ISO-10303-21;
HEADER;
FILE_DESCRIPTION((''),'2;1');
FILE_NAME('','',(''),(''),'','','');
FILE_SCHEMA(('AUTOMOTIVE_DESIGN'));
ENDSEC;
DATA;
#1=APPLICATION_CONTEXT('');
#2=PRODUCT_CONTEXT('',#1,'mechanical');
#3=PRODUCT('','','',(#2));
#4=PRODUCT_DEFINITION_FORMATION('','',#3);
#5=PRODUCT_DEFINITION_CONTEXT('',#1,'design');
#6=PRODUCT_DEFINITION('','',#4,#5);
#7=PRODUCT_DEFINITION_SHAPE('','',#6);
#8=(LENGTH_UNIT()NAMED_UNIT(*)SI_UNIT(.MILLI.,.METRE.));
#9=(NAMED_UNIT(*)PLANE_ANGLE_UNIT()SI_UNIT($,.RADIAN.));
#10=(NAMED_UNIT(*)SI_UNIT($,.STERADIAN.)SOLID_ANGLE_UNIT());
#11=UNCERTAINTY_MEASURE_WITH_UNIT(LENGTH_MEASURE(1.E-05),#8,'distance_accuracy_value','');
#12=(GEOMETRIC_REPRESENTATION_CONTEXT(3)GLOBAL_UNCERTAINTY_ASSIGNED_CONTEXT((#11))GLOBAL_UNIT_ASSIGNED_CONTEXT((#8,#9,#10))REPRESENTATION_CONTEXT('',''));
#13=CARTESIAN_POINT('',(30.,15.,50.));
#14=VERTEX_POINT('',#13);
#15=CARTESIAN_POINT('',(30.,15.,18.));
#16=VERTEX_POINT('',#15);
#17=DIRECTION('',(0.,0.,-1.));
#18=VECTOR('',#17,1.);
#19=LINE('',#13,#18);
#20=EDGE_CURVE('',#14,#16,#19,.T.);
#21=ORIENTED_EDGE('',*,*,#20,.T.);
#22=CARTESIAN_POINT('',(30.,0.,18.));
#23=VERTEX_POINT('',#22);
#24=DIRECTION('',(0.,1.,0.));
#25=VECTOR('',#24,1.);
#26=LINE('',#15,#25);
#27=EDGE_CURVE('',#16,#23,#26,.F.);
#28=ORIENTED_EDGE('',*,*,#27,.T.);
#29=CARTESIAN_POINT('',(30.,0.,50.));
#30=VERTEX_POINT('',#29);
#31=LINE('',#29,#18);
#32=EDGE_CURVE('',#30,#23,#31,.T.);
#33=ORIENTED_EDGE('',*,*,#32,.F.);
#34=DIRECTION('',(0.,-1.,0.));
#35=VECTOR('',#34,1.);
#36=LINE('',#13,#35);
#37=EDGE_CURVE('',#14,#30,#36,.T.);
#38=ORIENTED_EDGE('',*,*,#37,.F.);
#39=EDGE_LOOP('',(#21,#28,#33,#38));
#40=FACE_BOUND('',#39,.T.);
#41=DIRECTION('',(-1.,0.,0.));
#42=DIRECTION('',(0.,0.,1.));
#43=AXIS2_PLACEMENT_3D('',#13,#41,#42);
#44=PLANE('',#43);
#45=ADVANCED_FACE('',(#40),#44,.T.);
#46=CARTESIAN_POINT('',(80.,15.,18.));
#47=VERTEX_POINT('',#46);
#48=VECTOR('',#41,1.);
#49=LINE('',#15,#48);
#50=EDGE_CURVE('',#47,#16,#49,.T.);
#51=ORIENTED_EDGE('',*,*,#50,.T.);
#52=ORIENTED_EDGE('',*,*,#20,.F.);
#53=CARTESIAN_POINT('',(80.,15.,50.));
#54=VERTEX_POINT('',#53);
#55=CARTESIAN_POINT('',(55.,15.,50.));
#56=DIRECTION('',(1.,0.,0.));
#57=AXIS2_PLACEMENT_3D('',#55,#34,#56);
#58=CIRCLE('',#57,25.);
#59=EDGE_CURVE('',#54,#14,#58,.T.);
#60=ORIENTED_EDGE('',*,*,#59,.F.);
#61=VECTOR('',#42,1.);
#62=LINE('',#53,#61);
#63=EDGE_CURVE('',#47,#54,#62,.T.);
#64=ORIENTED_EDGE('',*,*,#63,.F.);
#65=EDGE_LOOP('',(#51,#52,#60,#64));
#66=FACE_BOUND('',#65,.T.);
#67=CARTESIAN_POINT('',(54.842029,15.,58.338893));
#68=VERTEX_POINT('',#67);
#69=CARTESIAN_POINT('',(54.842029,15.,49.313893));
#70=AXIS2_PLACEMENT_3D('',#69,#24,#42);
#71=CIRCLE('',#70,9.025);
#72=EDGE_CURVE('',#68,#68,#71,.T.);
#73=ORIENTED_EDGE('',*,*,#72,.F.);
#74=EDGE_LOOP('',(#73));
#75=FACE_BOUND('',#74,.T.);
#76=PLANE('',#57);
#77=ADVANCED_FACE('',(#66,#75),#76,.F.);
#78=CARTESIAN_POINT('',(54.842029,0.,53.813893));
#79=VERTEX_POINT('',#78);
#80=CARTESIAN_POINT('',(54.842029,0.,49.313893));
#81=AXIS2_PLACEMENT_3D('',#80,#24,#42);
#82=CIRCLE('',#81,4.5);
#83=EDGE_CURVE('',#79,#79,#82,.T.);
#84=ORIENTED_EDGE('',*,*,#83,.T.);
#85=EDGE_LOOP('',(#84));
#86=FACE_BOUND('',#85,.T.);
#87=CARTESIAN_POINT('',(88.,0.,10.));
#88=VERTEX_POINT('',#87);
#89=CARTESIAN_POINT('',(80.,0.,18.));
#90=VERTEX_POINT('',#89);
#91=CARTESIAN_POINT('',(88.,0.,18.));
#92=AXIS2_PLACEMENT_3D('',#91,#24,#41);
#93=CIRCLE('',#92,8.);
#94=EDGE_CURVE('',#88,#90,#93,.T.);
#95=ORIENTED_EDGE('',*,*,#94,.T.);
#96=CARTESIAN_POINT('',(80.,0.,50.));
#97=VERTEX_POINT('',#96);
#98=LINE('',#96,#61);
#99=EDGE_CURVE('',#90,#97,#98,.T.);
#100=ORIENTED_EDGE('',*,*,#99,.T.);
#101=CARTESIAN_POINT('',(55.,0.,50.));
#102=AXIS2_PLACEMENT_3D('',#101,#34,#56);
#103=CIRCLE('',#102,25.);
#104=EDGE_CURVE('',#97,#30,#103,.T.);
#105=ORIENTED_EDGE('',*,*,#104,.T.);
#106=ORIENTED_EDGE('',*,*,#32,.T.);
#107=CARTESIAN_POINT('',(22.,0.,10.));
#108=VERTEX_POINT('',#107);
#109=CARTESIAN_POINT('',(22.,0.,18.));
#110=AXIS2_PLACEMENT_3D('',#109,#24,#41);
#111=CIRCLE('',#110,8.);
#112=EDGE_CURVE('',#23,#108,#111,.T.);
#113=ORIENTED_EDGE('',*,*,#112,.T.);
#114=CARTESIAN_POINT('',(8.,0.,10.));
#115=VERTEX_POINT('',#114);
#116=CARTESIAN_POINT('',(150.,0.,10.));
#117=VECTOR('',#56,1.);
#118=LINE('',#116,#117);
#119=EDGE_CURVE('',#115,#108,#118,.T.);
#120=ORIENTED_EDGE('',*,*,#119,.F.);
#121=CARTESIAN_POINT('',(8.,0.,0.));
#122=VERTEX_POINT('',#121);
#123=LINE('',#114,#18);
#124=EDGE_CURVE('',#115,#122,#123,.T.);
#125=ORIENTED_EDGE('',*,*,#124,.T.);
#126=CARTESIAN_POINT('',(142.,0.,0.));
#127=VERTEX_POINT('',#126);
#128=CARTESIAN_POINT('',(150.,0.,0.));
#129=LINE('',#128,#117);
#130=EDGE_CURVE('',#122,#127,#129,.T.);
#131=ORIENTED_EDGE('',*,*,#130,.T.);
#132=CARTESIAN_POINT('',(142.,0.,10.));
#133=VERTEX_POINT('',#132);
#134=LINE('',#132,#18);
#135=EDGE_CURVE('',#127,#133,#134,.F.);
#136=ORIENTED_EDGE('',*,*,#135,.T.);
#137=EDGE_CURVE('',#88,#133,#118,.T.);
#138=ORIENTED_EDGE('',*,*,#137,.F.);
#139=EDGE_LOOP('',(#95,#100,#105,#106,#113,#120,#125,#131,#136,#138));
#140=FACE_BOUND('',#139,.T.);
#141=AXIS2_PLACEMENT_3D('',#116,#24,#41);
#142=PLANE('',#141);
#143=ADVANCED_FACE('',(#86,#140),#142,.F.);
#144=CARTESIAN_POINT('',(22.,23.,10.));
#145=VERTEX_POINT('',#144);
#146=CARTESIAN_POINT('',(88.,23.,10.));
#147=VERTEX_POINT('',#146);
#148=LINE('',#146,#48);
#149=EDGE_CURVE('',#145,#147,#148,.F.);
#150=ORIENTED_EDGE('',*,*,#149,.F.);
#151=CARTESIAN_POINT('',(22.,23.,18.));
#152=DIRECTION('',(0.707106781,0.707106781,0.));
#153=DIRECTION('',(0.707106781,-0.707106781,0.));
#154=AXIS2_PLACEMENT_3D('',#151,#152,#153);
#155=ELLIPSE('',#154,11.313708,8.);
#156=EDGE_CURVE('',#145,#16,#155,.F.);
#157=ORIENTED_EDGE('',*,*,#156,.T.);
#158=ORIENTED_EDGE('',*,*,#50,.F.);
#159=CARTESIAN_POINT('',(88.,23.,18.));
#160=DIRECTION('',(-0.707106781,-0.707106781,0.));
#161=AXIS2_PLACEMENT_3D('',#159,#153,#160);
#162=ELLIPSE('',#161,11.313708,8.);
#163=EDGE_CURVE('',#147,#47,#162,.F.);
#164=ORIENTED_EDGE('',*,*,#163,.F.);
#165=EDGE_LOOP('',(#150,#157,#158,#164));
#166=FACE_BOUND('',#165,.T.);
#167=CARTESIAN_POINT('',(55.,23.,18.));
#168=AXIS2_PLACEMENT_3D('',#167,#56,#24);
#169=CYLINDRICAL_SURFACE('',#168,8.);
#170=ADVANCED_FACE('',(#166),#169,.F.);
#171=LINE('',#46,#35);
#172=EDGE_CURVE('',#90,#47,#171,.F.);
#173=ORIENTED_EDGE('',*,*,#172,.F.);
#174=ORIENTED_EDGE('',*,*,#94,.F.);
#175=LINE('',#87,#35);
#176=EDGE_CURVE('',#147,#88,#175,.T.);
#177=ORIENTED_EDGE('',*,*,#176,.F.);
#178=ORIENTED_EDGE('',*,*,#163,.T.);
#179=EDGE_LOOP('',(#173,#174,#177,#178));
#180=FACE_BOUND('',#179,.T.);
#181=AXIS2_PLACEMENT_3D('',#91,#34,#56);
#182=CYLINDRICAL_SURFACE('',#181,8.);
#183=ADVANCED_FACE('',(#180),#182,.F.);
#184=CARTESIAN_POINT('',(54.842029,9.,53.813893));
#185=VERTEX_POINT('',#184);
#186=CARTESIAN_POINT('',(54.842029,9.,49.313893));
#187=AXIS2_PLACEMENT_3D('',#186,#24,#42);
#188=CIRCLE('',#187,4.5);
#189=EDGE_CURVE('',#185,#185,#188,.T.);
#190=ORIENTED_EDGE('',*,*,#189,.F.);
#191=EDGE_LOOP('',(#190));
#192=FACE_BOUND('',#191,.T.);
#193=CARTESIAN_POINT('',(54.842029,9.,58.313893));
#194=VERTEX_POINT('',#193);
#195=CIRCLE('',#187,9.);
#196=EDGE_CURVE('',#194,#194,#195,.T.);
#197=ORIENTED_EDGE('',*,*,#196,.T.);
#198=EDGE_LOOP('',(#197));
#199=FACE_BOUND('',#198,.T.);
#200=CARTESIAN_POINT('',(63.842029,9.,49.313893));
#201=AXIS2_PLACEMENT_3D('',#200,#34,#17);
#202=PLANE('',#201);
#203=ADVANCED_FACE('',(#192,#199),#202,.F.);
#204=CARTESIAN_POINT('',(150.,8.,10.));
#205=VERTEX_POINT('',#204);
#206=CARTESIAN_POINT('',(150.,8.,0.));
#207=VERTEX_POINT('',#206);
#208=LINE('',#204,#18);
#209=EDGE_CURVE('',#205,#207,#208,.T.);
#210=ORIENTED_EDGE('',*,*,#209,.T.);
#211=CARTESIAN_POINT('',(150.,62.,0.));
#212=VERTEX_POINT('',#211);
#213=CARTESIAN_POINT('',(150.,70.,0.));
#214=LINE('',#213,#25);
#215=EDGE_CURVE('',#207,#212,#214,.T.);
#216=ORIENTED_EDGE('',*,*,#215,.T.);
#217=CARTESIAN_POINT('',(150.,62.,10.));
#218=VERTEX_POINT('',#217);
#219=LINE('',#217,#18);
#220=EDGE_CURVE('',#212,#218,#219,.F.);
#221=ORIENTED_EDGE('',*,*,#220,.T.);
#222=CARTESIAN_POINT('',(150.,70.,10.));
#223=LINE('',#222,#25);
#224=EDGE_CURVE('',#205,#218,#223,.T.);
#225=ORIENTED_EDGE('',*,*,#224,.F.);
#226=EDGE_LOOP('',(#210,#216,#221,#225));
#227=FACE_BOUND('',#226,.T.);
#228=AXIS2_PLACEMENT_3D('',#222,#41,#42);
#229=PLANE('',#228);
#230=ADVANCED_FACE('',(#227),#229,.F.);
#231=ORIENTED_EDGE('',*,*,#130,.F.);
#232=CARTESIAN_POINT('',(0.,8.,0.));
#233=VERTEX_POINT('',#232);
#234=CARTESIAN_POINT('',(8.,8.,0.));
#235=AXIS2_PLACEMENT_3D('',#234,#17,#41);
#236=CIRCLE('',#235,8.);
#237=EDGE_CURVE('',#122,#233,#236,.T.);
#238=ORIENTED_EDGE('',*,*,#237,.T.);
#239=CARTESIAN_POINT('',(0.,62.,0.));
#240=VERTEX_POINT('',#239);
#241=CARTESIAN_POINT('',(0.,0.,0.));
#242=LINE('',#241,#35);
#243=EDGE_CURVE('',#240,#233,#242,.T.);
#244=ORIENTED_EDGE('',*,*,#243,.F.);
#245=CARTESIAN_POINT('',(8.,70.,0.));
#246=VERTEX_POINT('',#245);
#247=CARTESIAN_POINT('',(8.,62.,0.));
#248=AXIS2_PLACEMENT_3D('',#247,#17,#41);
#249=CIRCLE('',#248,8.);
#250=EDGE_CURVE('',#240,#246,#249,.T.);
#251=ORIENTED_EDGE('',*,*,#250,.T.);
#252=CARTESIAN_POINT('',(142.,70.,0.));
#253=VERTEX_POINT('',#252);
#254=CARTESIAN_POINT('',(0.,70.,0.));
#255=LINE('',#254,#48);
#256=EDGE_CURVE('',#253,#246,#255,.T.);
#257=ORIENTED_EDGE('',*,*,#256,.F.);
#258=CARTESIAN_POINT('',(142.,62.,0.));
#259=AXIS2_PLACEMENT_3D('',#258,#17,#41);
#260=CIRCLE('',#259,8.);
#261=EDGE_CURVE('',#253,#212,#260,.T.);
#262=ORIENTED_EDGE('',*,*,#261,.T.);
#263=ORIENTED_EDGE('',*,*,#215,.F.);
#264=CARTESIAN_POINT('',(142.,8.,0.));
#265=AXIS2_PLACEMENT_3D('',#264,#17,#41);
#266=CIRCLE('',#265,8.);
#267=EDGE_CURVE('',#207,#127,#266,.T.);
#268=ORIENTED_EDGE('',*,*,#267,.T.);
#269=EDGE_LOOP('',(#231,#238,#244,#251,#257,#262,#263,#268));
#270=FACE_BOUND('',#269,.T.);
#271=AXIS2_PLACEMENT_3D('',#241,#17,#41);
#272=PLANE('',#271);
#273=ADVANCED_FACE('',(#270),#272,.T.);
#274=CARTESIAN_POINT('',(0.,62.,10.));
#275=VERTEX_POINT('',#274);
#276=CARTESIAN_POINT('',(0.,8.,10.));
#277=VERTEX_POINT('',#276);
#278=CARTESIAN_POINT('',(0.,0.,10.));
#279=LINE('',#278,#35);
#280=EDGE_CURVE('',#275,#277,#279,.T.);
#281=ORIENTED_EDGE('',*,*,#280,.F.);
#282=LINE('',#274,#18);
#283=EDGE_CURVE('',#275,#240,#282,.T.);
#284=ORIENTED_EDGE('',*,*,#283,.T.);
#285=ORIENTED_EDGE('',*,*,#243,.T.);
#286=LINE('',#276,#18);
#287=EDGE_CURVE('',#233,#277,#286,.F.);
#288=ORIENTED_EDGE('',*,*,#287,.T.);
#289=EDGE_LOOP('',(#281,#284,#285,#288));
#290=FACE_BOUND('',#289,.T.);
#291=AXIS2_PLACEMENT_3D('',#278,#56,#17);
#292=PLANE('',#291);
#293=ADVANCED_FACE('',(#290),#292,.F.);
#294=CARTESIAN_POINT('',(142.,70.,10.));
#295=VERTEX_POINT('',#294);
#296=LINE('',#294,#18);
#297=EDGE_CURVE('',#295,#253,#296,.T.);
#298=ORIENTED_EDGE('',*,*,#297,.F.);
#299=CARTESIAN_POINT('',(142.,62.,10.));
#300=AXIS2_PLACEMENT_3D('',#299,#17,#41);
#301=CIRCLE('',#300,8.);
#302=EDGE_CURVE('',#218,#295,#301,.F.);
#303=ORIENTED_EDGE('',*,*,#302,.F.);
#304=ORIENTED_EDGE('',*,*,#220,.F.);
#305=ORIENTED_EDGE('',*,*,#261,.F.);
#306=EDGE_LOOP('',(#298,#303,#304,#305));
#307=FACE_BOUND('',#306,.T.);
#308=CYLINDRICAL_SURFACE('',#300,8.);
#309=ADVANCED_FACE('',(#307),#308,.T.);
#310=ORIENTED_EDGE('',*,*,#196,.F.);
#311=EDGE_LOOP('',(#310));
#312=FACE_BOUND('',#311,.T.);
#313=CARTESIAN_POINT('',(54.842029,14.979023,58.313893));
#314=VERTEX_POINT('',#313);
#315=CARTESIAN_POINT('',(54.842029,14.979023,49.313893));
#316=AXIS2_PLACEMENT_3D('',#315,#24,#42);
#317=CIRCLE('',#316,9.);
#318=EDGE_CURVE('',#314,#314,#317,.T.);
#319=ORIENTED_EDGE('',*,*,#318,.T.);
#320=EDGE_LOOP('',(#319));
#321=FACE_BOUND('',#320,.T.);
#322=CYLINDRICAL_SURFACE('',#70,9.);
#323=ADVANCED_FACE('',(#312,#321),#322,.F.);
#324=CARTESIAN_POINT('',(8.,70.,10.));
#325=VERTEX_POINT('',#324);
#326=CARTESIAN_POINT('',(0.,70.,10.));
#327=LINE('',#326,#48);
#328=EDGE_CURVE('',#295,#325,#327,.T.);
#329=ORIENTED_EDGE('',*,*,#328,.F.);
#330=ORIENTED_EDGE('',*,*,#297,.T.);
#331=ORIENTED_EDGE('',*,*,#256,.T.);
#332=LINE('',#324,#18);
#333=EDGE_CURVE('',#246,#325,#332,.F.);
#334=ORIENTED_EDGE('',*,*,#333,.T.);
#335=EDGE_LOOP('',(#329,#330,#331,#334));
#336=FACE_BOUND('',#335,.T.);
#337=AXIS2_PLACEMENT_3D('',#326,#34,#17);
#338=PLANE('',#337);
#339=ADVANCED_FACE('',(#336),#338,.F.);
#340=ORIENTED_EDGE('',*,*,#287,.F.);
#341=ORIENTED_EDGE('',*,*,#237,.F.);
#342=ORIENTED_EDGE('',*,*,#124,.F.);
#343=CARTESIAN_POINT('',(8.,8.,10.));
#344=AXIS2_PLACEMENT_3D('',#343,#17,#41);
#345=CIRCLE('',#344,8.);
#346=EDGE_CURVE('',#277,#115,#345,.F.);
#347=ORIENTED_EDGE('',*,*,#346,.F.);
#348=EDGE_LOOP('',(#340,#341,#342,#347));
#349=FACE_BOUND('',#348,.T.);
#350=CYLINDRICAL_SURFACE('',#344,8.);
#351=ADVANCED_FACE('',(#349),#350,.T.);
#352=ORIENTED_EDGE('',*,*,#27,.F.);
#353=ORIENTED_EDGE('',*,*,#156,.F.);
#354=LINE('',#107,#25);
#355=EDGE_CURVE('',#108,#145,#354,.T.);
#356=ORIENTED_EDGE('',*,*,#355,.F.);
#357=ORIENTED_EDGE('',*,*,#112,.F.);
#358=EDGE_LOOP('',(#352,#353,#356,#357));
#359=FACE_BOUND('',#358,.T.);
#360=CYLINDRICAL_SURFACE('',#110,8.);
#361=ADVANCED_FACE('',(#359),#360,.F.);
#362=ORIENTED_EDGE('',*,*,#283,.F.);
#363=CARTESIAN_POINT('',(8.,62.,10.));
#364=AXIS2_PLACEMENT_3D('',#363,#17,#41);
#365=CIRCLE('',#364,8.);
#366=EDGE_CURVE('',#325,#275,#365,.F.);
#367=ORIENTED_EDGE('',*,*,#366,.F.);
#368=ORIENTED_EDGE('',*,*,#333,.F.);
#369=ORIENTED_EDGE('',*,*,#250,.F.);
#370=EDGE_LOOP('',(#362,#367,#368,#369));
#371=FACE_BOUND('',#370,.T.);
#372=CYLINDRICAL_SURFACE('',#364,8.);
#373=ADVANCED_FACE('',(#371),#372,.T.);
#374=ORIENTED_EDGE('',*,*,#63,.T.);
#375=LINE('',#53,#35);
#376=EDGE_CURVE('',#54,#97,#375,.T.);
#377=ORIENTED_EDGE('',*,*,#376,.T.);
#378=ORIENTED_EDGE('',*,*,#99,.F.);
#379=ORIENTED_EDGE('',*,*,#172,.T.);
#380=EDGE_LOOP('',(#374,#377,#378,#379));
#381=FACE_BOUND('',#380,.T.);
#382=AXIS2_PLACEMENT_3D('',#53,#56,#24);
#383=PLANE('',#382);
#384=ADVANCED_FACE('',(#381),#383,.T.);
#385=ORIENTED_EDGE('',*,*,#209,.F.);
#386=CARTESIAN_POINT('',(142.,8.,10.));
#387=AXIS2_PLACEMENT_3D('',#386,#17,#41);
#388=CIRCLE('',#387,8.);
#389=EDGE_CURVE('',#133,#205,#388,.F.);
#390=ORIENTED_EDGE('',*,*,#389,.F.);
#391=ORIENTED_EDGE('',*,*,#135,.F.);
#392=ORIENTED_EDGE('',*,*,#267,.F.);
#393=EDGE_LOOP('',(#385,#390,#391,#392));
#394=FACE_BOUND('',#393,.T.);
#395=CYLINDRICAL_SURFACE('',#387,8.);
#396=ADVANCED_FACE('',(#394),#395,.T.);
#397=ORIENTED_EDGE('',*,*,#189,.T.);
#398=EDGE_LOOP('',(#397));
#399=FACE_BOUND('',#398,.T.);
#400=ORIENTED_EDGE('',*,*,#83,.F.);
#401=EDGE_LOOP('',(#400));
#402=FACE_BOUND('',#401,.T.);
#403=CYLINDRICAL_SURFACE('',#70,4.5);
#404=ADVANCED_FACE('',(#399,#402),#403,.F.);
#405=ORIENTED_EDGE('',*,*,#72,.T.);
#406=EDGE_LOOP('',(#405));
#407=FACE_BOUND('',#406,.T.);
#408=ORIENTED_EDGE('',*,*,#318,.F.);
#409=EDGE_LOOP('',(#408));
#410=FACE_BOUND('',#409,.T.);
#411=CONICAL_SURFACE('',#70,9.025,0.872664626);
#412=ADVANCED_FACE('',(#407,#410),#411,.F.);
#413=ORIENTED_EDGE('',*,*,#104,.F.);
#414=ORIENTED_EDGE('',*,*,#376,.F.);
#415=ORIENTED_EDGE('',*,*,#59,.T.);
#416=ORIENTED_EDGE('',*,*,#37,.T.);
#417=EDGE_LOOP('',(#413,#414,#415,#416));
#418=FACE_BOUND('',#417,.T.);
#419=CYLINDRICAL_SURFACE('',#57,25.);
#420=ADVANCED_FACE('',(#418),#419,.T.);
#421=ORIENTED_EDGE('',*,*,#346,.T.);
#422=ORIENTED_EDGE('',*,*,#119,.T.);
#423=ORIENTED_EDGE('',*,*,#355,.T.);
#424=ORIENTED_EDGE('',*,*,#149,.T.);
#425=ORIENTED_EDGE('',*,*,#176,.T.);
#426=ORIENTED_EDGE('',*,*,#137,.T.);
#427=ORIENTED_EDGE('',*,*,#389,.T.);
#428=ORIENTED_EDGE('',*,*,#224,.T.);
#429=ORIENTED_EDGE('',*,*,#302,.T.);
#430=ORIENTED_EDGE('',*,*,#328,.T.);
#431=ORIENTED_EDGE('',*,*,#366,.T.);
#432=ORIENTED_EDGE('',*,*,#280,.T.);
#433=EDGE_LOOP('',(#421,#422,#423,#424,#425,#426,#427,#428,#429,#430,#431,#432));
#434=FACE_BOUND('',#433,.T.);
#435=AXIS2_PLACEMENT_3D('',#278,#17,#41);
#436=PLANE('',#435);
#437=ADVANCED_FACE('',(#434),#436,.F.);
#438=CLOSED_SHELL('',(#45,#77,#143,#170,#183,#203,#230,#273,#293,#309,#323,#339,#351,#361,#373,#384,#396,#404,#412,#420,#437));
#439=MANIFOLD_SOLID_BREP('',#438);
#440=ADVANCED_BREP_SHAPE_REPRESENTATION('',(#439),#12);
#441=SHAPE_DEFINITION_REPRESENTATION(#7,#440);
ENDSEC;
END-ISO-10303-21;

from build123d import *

# Parameters (mm, degrees)
SKETCH1_W           = 150
SKETCH1_H           = 70
BOSS_EXTRUDE1_DEPTH = 10
BOSS_EXTRUDE2_DEPTH = 15
FILLET1_R           = 8
FILLET2_R           = 8
FILLET3_R           = 8
FILLET4_R           = 8
FILLET5_R           = 8
FILLET6_R           = 8
FILLET11_R          = 8


with BuildPart() as part:
    # Sketch1 → Boss-Extrude1 (new body)
    with BuildSketch(Plane.XY):
        with Locations((75, 35)):
            Rectangle(SKETCH1_W, SKETCH1_H)
    extrude(amount=BOSS_EXTRUDE1_DEPTH)

    # Sketch2 → Boss-Extrude2 (add)
    with BuildSketch(Plane(origin=(0, 0, 0), x_dir=(-1, 0, 0), z_dir=(0, -1, 0))):
        with BuildLine():
            Line((-80, -50), (-80, 0))
            Line((-80, 0), (-30, 0))
            Line((-30, 0), (-30, -50))
            ThreePointArc((-30, -50), (-55, -75), (-80, -50))
        make_face()
    extrude(amount=-BOSS_EXTRUDE2_DEPTH)

    # Fillet1
    fillet1_edges = [part.edges().sort_by_distance(p)[0] for p in [
        (80, 7.5, 10),
    ]]
    fillet(fillet1_edges, radius=FILLET1_R)

    # Fillet2
    fillet2_edges = [part.edges().sort_by_distance(p)[0] for p in [
        (55, 15, 10),
    ]]
    fillet(fillet2_edges, radius=FILLET2_R)

    # Fillet3
    fillet3_edges = [part.edges().sort_by_distance(p)[0] for p in [
        (30, 7.5, 10),
    ]]
    fillet(fillet3_edges, radius=FILLET3_R)

    # Fillet4
    fillet4_edges = [part.edges().sort_by_distance(p)[0] for p in [
        (150, 70, 5),
    ]]
    fillet(fillet4_edges, radius=FILLET4_R)

    # Fillet5
    fillet5_edges = [part.edges().sort_by_distance(p)[0] for p in [
        (150, 0, 5),
    ]]
    fillet(fillet5_edges, radius=FILLET5_R)

    # Fillet6
    fillet6_edges = [part.edges().sort_by_distance(p)[0] for p in [
        (0, 70, 5),
    ]]
    fillet(fillet6_edges, radius=FILLET6_R)

    # Fillet11
    fillet11_edges = [part.edges().sort_by_distance(p)[0] for p in [
        (0, 0, 5),
    ]]
    fillet(fillet11_edges, radius=FILLET11_R)

    # Sketch4 → CBORE for M8 Pan Head Machine Screw1 (revolve, cut)
    with BuildSketch(Plane(origin=(54.842028673, 15, 49.313893032), x_dir=(0, 0, 1), z_dir=(1, 0, 0))):
        Polygon((0, 0), (0, 15), (4.5, 15), (4.5, 6), (9, 6), (9, 0.020977491), (9.025, 0), align=None)
    revolve(axis=Axis((54.842028673, 21.35, 49.313893032), (0, -1, 0)), mode=Mode.SUBTRACT)


solid = part.part
